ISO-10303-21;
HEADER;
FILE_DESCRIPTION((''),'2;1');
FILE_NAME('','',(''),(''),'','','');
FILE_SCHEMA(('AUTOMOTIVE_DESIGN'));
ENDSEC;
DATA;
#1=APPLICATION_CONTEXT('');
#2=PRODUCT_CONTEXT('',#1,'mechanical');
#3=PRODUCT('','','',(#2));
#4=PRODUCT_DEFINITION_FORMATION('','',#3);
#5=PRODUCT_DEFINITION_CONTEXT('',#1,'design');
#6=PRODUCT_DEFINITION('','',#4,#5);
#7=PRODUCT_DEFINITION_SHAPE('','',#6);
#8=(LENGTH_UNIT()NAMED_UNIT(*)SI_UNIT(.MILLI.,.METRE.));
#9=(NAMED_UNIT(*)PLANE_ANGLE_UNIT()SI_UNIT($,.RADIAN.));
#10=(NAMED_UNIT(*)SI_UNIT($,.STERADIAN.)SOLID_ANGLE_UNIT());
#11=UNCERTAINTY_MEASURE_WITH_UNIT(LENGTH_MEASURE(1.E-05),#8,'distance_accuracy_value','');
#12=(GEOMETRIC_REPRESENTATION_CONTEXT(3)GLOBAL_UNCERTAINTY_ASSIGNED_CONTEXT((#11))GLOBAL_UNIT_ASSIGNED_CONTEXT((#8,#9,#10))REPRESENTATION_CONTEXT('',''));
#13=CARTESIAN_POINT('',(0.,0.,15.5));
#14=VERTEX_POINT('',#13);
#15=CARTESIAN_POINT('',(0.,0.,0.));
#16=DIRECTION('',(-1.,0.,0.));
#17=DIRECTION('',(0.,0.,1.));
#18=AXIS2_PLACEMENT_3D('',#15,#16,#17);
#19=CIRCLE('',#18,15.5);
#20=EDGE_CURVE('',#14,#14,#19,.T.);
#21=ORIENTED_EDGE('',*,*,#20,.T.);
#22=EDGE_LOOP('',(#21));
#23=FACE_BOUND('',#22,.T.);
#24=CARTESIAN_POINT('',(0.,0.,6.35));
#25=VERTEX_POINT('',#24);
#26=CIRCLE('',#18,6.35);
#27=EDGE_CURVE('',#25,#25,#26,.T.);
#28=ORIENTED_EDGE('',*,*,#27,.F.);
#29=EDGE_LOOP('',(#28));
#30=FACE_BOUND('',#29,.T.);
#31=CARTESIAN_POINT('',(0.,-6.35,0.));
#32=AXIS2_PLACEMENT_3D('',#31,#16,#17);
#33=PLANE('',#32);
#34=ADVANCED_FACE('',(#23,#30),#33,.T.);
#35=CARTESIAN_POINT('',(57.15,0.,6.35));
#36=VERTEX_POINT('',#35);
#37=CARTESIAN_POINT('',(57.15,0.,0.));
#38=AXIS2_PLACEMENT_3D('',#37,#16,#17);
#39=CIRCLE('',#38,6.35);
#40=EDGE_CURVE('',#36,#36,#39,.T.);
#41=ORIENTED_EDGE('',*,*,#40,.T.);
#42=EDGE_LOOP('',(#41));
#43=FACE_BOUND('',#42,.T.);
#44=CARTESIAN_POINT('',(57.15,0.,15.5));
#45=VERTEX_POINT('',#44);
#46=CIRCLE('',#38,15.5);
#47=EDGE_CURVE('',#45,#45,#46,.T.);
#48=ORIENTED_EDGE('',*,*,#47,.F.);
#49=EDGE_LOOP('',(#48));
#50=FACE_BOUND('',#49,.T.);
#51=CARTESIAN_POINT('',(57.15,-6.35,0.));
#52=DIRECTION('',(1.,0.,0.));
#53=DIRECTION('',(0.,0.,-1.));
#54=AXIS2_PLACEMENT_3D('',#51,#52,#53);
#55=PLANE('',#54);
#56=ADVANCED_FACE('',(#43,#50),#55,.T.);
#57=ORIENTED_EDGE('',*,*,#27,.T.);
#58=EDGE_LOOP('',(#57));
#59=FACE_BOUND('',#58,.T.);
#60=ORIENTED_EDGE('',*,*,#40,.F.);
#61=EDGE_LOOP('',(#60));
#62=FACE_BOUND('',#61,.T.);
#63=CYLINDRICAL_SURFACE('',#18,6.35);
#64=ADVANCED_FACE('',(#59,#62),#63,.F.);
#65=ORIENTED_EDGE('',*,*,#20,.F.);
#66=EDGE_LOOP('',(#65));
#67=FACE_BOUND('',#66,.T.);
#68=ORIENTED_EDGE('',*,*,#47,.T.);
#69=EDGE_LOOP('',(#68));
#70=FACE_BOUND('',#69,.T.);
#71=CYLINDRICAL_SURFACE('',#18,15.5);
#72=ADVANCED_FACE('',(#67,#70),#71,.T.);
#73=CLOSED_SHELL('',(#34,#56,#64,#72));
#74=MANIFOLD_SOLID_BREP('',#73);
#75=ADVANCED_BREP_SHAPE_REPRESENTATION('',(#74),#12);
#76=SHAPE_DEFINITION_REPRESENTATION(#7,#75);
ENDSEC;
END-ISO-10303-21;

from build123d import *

# Parameters (mm, degrees)
SKETCH1_W = 57.15
SKETCH1_H = 9.15


with BuildPart() as part:
    # Sketch1 → Revolve1 (revolve)
    with BuildSketch(Plane.XY, mode=Mode.PRIVATE) as revolve1_sk:
        with Locations((28.575, -10.925)):
            Rectangle(SKETCH1_W, SKETCH1_H)
    revolve(revolve1_sk.sketch.rotate(Axis((0, 0, 0), (1, 0, 0)), 270), axis=Axis((0, 0, 0), (1, 0, 0)))


solid = part.part
